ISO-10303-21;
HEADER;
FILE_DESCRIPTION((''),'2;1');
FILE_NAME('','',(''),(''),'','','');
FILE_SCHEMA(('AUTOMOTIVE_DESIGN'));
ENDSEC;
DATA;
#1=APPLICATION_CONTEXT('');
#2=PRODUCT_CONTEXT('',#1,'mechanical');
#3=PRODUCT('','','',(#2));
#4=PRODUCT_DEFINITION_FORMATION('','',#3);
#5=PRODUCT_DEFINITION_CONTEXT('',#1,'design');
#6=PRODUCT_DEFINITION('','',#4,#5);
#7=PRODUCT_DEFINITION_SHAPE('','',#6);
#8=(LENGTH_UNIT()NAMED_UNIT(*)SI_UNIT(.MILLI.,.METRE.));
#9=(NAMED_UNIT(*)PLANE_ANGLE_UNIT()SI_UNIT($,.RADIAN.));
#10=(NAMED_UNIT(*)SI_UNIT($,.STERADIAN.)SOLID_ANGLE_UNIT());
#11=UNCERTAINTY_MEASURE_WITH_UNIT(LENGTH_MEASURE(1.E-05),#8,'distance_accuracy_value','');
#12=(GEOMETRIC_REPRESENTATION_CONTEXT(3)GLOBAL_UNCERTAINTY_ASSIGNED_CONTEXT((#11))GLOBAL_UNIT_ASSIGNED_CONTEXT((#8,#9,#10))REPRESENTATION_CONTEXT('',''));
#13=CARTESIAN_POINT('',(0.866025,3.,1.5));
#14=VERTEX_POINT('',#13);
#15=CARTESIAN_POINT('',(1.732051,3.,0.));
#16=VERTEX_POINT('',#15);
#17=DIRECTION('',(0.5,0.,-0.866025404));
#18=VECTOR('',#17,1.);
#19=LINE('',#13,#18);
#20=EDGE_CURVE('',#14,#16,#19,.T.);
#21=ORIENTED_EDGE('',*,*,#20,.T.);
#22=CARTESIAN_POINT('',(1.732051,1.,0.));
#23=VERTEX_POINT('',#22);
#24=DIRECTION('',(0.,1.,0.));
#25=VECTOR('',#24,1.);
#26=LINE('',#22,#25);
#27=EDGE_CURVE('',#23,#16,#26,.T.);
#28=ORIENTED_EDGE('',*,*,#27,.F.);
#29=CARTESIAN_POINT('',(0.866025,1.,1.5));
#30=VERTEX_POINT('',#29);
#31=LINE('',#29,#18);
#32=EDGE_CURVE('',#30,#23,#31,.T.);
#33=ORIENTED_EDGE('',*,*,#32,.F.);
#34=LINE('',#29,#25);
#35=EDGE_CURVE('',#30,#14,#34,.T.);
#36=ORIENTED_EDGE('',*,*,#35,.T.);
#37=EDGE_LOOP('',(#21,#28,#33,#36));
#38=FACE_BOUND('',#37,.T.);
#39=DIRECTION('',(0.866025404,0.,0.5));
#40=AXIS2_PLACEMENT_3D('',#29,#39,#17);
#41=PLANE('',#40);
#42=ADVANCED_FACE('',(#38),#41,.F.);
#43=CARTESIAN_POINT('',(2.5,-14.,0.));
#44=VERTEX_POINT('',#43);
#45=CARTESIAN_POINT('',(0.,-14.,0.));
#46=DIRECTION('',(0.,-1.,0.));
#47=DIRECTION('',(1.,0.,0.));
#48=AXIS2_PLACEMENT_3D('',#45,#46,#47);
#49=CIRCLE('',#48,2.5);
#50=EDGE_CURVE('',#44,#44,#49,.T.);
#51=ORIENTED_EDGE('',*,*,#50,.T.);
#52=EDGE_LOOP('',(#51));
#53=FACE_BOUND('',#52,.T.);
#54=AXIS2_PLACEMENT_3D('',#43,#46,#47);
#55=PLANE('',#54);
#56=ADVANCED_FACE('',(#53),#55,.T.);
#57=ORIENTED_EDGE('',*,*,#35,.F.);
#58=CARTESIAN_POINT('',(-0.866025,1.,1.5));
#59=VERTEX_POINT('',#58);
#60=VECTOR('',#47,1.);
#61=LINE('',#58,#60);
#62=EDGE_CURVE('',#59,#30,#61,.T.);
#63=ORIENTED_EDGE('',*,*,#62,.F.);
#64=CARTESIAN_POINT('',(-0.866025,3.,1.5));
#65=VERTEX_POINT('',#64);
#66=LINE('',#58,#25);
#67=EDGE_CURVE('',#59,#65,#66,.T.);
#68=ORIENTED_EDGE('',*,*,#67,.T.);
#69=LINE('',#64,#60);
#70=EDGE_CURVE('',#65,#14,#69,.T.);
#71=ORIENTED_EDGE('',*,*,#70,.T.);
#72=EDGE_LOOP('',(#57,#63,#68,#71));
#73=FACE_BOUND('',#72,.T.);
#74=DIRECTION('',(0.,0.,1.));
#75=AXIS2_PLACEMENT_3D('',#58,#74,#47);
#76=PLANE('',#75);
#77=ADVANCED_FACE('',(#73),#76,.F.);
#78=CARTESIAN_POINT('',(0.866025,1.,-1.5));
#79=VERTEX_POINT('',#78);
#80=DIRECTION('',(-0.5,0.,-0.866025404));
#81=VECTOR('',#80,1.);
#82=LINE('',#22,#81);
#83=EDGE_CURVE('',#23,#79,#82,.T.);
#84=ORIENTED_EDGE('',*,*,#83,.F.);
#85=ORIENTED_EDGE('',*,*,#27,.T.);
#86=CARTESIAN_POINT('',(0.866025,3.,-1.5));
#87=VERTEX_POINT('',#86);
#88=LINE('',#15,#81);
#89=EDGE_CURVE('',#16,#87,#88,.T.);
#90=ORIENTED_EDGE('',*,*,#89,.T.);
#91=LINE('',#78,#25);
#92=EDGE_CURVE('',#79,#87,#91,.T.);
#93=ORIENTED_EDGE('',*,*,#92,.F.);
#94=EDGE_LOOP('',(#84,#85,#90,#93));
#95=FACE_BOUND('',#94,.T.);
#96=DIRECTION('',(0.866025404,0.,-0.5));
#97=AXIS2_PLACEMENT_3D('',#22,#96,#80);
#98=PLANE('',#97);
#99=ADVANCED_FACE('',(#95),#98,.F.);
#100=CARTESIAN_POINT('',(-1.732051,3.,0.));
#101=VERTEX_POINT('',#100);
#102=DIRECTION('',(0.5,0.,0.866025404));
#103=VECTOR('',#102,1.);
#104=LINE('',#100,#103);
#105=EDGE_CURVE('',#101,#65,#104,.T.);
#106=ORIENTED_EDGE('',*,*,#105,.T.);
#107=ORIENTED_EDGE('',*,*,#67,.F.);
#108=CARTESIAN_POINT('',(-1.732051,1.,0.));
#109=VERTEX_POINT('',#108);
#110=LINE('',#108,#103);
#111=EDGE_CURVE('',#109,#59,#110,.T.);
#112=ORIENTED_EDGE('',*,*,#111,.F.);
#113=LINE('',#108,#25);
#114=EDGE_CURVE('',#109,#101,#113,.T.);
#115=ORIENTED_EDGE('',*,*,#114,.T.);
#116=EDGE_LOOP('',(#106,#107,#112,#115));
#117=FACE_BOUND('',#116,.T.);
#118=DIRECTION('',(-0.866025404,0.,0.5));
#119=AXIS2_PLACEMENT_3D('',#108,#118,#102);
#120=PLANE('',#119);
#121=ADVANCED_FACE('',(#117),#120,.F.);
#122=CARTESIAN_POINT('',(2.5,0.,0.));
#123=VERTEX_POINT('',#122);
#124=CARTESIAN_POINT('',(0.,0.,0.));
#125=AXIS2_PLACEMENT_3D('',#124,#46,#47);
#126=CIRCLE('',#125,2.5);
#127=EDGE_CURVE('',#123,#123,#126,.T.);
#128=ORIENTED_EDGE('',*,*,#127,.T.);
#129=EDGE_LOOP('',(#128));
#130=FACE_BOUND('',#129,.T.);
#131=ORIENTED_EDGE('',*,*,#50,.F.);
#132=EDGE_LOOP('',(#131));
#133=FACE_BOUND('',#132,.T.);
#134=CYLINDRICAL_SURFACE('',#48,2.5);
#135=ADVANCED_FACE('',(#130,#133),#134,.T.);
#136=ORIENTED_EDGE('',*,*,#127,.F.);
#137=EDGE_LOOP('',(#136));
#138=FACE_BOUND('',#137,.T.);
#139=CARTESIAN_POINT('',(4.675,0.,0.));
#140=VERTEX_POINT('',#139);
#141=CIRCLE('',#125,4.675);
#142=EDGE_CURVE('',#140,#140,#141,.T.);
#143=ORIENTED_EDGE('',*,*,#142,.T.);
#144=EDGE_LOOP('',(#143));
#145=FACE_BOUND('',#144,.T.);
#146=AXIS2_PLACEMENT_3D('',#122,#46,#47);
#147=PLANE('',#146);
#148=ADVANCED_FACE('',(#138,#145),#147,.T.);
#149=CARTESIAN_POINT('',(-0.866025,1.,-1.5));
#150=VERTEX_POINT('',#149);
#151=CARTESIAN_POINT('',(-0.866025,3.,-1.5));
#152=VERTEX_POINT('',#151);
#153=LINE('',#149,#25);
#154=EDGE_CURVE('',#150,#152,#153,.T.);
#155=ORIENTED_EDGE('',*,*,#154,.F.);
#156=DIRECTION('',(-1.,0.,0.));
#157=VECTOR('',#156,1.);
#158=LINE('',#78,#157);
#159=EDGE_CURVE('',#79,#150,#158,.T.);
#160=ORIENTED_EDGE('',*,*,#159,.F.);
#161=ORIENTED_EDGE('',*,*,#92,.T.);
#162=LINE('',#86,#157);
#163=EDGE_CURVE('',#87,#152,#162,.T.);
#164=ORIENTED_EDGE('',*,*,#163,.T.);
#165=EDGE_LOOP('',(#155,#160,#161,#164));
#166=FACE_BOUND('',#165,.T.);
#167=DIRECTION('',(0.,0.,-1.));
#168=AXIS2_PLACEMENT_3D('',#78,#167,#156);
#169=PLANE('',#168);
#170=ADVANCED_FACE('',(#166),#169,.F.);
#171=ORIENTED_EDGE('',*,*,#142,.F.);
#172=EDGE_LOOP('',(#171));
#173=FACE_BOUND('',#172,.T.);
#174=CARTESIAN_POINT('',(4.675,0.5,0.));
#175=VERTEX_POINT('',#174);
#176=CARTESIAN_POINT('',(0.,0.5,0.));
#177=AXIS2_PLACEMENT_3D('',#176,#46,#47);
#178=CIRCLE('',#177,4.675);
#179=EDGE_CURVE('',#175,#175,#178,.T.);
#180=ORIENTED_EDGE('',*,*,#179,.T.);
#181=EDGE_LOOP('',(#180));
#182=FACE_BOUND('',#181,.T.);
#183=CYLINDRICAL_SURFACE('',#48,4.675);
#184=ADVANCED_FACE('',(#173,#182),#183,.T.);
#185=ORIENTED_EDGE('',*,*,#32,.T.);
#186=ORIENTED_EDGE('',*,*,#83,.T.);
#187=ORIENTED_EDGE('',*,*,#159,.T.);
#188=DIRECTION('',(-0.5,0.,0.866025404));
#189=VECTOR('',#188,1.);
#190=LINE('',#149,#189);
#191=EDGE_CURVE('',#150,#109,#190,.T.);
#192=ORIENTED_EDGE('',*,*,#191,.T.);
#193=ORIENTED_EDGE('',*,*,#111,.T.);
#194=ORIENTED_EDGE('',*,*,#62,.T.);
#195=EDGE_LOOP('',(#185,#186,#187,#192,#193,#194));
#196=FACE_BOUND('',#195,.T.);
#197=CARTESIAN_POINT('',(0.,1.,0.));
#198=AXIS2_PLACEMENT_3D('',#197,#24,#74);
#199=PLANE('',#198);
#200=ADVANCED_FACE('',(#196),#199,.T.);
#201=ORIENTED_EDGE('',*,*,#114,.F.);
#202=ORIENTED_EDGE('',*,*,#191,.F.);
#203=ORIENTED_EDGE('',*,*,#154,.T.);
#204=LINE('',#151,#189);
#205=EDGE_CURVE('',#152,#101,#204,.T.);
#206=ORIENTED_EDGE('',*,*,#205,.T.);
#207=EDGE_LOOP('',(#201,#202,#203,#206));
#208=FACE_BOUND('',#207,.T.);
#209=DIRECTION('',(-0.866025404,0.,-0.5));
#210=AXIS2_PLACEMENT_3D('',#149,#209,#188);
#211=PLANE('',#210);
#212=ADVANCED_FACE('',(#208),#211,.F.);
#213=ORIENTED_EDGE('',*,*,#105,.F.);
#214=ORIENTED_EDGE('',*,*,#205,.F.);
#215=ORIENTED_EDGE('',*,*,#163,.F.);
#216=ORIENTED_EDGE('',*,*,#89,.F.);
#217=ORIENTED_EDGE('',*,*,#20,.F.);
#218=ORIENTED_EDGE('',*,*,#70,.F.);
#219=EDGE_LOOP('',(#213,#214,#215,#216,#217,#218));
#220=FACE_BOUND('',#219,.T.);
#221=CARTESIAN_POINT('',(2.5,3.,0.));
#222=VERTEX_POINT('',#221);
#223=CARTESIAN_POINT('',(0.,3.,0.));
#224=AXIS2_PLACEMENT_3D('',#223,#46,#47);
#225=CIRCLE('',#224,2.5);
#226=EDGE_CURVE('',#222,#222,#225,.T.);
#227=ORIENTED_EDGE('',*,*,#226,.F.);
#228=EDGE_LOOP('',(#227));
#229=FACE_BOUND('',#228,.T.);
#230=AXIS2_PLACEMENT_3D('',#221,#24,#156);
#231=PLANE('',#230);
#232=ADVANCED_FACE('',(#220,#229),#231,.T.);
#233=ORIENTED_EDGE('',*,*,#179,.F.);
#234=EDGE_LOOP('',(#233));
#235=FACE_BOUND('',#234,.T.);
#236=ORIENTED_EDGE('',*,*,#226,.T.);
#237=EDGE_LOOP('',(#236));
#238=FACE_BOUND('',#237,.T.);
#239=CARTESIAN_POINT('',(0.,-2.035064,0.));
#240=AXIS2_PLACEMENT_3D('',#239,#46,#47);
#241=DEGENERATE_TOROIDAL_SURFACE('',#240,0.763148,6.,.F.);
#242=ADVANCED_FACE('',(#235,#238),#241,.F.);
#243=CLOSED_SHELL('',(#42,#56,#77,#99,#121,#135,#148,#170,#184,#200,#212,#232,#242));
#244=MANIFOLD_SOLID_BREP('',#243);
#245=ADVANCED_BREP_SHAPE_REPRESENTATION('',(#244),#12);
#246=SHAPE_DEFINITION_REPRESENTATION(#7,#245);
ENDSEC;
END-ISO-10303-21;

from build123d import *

# Parameters (mm, degrees)
CUT_EXTRUDE1_DEPTH = 2


with BuildPart() as part:
    # Sketch1 → Revolve1 (revolve)
    with BuildSketch(Plane.XY):
        with BuildLine():
            Line((2.5, 0), (4.675, 0))
            Line((4.675, 0), (4.675, 0.5))
            ThreePointArc((4.675, 0.5), (3.763510598, 1.90312922), (2.5, 3))
            Line((2.5, 3), (0, 3))
            Line((0, 3), (0, -14))
            Line((0, -14), (2.5, -14))
            Line((2.5, -14), (2.5, 0))
        make_face()
    revolve(axis=Axis((0, -14, 0), (0, 1, 0)))

    # Sketch2 → Cut-Extrude1 (cut)
    with BuildSketch(Plane(origin=(0, 3, 0), x_dir=(1, 0, 0), z_dir=(0, 1, 0))):
        Polygon((0.866025404, 1.5), (-0.866025404, 1.5), (-1.732050808, 0), (-0.866025404, -1.5), (0.866025404, -1.5), (1.732050808, 0), align=None)
    extrude(amount=-CUT_EXTRUDE1_DEPTH, mode=Mode.SUBTRACT)


solid = part.part
